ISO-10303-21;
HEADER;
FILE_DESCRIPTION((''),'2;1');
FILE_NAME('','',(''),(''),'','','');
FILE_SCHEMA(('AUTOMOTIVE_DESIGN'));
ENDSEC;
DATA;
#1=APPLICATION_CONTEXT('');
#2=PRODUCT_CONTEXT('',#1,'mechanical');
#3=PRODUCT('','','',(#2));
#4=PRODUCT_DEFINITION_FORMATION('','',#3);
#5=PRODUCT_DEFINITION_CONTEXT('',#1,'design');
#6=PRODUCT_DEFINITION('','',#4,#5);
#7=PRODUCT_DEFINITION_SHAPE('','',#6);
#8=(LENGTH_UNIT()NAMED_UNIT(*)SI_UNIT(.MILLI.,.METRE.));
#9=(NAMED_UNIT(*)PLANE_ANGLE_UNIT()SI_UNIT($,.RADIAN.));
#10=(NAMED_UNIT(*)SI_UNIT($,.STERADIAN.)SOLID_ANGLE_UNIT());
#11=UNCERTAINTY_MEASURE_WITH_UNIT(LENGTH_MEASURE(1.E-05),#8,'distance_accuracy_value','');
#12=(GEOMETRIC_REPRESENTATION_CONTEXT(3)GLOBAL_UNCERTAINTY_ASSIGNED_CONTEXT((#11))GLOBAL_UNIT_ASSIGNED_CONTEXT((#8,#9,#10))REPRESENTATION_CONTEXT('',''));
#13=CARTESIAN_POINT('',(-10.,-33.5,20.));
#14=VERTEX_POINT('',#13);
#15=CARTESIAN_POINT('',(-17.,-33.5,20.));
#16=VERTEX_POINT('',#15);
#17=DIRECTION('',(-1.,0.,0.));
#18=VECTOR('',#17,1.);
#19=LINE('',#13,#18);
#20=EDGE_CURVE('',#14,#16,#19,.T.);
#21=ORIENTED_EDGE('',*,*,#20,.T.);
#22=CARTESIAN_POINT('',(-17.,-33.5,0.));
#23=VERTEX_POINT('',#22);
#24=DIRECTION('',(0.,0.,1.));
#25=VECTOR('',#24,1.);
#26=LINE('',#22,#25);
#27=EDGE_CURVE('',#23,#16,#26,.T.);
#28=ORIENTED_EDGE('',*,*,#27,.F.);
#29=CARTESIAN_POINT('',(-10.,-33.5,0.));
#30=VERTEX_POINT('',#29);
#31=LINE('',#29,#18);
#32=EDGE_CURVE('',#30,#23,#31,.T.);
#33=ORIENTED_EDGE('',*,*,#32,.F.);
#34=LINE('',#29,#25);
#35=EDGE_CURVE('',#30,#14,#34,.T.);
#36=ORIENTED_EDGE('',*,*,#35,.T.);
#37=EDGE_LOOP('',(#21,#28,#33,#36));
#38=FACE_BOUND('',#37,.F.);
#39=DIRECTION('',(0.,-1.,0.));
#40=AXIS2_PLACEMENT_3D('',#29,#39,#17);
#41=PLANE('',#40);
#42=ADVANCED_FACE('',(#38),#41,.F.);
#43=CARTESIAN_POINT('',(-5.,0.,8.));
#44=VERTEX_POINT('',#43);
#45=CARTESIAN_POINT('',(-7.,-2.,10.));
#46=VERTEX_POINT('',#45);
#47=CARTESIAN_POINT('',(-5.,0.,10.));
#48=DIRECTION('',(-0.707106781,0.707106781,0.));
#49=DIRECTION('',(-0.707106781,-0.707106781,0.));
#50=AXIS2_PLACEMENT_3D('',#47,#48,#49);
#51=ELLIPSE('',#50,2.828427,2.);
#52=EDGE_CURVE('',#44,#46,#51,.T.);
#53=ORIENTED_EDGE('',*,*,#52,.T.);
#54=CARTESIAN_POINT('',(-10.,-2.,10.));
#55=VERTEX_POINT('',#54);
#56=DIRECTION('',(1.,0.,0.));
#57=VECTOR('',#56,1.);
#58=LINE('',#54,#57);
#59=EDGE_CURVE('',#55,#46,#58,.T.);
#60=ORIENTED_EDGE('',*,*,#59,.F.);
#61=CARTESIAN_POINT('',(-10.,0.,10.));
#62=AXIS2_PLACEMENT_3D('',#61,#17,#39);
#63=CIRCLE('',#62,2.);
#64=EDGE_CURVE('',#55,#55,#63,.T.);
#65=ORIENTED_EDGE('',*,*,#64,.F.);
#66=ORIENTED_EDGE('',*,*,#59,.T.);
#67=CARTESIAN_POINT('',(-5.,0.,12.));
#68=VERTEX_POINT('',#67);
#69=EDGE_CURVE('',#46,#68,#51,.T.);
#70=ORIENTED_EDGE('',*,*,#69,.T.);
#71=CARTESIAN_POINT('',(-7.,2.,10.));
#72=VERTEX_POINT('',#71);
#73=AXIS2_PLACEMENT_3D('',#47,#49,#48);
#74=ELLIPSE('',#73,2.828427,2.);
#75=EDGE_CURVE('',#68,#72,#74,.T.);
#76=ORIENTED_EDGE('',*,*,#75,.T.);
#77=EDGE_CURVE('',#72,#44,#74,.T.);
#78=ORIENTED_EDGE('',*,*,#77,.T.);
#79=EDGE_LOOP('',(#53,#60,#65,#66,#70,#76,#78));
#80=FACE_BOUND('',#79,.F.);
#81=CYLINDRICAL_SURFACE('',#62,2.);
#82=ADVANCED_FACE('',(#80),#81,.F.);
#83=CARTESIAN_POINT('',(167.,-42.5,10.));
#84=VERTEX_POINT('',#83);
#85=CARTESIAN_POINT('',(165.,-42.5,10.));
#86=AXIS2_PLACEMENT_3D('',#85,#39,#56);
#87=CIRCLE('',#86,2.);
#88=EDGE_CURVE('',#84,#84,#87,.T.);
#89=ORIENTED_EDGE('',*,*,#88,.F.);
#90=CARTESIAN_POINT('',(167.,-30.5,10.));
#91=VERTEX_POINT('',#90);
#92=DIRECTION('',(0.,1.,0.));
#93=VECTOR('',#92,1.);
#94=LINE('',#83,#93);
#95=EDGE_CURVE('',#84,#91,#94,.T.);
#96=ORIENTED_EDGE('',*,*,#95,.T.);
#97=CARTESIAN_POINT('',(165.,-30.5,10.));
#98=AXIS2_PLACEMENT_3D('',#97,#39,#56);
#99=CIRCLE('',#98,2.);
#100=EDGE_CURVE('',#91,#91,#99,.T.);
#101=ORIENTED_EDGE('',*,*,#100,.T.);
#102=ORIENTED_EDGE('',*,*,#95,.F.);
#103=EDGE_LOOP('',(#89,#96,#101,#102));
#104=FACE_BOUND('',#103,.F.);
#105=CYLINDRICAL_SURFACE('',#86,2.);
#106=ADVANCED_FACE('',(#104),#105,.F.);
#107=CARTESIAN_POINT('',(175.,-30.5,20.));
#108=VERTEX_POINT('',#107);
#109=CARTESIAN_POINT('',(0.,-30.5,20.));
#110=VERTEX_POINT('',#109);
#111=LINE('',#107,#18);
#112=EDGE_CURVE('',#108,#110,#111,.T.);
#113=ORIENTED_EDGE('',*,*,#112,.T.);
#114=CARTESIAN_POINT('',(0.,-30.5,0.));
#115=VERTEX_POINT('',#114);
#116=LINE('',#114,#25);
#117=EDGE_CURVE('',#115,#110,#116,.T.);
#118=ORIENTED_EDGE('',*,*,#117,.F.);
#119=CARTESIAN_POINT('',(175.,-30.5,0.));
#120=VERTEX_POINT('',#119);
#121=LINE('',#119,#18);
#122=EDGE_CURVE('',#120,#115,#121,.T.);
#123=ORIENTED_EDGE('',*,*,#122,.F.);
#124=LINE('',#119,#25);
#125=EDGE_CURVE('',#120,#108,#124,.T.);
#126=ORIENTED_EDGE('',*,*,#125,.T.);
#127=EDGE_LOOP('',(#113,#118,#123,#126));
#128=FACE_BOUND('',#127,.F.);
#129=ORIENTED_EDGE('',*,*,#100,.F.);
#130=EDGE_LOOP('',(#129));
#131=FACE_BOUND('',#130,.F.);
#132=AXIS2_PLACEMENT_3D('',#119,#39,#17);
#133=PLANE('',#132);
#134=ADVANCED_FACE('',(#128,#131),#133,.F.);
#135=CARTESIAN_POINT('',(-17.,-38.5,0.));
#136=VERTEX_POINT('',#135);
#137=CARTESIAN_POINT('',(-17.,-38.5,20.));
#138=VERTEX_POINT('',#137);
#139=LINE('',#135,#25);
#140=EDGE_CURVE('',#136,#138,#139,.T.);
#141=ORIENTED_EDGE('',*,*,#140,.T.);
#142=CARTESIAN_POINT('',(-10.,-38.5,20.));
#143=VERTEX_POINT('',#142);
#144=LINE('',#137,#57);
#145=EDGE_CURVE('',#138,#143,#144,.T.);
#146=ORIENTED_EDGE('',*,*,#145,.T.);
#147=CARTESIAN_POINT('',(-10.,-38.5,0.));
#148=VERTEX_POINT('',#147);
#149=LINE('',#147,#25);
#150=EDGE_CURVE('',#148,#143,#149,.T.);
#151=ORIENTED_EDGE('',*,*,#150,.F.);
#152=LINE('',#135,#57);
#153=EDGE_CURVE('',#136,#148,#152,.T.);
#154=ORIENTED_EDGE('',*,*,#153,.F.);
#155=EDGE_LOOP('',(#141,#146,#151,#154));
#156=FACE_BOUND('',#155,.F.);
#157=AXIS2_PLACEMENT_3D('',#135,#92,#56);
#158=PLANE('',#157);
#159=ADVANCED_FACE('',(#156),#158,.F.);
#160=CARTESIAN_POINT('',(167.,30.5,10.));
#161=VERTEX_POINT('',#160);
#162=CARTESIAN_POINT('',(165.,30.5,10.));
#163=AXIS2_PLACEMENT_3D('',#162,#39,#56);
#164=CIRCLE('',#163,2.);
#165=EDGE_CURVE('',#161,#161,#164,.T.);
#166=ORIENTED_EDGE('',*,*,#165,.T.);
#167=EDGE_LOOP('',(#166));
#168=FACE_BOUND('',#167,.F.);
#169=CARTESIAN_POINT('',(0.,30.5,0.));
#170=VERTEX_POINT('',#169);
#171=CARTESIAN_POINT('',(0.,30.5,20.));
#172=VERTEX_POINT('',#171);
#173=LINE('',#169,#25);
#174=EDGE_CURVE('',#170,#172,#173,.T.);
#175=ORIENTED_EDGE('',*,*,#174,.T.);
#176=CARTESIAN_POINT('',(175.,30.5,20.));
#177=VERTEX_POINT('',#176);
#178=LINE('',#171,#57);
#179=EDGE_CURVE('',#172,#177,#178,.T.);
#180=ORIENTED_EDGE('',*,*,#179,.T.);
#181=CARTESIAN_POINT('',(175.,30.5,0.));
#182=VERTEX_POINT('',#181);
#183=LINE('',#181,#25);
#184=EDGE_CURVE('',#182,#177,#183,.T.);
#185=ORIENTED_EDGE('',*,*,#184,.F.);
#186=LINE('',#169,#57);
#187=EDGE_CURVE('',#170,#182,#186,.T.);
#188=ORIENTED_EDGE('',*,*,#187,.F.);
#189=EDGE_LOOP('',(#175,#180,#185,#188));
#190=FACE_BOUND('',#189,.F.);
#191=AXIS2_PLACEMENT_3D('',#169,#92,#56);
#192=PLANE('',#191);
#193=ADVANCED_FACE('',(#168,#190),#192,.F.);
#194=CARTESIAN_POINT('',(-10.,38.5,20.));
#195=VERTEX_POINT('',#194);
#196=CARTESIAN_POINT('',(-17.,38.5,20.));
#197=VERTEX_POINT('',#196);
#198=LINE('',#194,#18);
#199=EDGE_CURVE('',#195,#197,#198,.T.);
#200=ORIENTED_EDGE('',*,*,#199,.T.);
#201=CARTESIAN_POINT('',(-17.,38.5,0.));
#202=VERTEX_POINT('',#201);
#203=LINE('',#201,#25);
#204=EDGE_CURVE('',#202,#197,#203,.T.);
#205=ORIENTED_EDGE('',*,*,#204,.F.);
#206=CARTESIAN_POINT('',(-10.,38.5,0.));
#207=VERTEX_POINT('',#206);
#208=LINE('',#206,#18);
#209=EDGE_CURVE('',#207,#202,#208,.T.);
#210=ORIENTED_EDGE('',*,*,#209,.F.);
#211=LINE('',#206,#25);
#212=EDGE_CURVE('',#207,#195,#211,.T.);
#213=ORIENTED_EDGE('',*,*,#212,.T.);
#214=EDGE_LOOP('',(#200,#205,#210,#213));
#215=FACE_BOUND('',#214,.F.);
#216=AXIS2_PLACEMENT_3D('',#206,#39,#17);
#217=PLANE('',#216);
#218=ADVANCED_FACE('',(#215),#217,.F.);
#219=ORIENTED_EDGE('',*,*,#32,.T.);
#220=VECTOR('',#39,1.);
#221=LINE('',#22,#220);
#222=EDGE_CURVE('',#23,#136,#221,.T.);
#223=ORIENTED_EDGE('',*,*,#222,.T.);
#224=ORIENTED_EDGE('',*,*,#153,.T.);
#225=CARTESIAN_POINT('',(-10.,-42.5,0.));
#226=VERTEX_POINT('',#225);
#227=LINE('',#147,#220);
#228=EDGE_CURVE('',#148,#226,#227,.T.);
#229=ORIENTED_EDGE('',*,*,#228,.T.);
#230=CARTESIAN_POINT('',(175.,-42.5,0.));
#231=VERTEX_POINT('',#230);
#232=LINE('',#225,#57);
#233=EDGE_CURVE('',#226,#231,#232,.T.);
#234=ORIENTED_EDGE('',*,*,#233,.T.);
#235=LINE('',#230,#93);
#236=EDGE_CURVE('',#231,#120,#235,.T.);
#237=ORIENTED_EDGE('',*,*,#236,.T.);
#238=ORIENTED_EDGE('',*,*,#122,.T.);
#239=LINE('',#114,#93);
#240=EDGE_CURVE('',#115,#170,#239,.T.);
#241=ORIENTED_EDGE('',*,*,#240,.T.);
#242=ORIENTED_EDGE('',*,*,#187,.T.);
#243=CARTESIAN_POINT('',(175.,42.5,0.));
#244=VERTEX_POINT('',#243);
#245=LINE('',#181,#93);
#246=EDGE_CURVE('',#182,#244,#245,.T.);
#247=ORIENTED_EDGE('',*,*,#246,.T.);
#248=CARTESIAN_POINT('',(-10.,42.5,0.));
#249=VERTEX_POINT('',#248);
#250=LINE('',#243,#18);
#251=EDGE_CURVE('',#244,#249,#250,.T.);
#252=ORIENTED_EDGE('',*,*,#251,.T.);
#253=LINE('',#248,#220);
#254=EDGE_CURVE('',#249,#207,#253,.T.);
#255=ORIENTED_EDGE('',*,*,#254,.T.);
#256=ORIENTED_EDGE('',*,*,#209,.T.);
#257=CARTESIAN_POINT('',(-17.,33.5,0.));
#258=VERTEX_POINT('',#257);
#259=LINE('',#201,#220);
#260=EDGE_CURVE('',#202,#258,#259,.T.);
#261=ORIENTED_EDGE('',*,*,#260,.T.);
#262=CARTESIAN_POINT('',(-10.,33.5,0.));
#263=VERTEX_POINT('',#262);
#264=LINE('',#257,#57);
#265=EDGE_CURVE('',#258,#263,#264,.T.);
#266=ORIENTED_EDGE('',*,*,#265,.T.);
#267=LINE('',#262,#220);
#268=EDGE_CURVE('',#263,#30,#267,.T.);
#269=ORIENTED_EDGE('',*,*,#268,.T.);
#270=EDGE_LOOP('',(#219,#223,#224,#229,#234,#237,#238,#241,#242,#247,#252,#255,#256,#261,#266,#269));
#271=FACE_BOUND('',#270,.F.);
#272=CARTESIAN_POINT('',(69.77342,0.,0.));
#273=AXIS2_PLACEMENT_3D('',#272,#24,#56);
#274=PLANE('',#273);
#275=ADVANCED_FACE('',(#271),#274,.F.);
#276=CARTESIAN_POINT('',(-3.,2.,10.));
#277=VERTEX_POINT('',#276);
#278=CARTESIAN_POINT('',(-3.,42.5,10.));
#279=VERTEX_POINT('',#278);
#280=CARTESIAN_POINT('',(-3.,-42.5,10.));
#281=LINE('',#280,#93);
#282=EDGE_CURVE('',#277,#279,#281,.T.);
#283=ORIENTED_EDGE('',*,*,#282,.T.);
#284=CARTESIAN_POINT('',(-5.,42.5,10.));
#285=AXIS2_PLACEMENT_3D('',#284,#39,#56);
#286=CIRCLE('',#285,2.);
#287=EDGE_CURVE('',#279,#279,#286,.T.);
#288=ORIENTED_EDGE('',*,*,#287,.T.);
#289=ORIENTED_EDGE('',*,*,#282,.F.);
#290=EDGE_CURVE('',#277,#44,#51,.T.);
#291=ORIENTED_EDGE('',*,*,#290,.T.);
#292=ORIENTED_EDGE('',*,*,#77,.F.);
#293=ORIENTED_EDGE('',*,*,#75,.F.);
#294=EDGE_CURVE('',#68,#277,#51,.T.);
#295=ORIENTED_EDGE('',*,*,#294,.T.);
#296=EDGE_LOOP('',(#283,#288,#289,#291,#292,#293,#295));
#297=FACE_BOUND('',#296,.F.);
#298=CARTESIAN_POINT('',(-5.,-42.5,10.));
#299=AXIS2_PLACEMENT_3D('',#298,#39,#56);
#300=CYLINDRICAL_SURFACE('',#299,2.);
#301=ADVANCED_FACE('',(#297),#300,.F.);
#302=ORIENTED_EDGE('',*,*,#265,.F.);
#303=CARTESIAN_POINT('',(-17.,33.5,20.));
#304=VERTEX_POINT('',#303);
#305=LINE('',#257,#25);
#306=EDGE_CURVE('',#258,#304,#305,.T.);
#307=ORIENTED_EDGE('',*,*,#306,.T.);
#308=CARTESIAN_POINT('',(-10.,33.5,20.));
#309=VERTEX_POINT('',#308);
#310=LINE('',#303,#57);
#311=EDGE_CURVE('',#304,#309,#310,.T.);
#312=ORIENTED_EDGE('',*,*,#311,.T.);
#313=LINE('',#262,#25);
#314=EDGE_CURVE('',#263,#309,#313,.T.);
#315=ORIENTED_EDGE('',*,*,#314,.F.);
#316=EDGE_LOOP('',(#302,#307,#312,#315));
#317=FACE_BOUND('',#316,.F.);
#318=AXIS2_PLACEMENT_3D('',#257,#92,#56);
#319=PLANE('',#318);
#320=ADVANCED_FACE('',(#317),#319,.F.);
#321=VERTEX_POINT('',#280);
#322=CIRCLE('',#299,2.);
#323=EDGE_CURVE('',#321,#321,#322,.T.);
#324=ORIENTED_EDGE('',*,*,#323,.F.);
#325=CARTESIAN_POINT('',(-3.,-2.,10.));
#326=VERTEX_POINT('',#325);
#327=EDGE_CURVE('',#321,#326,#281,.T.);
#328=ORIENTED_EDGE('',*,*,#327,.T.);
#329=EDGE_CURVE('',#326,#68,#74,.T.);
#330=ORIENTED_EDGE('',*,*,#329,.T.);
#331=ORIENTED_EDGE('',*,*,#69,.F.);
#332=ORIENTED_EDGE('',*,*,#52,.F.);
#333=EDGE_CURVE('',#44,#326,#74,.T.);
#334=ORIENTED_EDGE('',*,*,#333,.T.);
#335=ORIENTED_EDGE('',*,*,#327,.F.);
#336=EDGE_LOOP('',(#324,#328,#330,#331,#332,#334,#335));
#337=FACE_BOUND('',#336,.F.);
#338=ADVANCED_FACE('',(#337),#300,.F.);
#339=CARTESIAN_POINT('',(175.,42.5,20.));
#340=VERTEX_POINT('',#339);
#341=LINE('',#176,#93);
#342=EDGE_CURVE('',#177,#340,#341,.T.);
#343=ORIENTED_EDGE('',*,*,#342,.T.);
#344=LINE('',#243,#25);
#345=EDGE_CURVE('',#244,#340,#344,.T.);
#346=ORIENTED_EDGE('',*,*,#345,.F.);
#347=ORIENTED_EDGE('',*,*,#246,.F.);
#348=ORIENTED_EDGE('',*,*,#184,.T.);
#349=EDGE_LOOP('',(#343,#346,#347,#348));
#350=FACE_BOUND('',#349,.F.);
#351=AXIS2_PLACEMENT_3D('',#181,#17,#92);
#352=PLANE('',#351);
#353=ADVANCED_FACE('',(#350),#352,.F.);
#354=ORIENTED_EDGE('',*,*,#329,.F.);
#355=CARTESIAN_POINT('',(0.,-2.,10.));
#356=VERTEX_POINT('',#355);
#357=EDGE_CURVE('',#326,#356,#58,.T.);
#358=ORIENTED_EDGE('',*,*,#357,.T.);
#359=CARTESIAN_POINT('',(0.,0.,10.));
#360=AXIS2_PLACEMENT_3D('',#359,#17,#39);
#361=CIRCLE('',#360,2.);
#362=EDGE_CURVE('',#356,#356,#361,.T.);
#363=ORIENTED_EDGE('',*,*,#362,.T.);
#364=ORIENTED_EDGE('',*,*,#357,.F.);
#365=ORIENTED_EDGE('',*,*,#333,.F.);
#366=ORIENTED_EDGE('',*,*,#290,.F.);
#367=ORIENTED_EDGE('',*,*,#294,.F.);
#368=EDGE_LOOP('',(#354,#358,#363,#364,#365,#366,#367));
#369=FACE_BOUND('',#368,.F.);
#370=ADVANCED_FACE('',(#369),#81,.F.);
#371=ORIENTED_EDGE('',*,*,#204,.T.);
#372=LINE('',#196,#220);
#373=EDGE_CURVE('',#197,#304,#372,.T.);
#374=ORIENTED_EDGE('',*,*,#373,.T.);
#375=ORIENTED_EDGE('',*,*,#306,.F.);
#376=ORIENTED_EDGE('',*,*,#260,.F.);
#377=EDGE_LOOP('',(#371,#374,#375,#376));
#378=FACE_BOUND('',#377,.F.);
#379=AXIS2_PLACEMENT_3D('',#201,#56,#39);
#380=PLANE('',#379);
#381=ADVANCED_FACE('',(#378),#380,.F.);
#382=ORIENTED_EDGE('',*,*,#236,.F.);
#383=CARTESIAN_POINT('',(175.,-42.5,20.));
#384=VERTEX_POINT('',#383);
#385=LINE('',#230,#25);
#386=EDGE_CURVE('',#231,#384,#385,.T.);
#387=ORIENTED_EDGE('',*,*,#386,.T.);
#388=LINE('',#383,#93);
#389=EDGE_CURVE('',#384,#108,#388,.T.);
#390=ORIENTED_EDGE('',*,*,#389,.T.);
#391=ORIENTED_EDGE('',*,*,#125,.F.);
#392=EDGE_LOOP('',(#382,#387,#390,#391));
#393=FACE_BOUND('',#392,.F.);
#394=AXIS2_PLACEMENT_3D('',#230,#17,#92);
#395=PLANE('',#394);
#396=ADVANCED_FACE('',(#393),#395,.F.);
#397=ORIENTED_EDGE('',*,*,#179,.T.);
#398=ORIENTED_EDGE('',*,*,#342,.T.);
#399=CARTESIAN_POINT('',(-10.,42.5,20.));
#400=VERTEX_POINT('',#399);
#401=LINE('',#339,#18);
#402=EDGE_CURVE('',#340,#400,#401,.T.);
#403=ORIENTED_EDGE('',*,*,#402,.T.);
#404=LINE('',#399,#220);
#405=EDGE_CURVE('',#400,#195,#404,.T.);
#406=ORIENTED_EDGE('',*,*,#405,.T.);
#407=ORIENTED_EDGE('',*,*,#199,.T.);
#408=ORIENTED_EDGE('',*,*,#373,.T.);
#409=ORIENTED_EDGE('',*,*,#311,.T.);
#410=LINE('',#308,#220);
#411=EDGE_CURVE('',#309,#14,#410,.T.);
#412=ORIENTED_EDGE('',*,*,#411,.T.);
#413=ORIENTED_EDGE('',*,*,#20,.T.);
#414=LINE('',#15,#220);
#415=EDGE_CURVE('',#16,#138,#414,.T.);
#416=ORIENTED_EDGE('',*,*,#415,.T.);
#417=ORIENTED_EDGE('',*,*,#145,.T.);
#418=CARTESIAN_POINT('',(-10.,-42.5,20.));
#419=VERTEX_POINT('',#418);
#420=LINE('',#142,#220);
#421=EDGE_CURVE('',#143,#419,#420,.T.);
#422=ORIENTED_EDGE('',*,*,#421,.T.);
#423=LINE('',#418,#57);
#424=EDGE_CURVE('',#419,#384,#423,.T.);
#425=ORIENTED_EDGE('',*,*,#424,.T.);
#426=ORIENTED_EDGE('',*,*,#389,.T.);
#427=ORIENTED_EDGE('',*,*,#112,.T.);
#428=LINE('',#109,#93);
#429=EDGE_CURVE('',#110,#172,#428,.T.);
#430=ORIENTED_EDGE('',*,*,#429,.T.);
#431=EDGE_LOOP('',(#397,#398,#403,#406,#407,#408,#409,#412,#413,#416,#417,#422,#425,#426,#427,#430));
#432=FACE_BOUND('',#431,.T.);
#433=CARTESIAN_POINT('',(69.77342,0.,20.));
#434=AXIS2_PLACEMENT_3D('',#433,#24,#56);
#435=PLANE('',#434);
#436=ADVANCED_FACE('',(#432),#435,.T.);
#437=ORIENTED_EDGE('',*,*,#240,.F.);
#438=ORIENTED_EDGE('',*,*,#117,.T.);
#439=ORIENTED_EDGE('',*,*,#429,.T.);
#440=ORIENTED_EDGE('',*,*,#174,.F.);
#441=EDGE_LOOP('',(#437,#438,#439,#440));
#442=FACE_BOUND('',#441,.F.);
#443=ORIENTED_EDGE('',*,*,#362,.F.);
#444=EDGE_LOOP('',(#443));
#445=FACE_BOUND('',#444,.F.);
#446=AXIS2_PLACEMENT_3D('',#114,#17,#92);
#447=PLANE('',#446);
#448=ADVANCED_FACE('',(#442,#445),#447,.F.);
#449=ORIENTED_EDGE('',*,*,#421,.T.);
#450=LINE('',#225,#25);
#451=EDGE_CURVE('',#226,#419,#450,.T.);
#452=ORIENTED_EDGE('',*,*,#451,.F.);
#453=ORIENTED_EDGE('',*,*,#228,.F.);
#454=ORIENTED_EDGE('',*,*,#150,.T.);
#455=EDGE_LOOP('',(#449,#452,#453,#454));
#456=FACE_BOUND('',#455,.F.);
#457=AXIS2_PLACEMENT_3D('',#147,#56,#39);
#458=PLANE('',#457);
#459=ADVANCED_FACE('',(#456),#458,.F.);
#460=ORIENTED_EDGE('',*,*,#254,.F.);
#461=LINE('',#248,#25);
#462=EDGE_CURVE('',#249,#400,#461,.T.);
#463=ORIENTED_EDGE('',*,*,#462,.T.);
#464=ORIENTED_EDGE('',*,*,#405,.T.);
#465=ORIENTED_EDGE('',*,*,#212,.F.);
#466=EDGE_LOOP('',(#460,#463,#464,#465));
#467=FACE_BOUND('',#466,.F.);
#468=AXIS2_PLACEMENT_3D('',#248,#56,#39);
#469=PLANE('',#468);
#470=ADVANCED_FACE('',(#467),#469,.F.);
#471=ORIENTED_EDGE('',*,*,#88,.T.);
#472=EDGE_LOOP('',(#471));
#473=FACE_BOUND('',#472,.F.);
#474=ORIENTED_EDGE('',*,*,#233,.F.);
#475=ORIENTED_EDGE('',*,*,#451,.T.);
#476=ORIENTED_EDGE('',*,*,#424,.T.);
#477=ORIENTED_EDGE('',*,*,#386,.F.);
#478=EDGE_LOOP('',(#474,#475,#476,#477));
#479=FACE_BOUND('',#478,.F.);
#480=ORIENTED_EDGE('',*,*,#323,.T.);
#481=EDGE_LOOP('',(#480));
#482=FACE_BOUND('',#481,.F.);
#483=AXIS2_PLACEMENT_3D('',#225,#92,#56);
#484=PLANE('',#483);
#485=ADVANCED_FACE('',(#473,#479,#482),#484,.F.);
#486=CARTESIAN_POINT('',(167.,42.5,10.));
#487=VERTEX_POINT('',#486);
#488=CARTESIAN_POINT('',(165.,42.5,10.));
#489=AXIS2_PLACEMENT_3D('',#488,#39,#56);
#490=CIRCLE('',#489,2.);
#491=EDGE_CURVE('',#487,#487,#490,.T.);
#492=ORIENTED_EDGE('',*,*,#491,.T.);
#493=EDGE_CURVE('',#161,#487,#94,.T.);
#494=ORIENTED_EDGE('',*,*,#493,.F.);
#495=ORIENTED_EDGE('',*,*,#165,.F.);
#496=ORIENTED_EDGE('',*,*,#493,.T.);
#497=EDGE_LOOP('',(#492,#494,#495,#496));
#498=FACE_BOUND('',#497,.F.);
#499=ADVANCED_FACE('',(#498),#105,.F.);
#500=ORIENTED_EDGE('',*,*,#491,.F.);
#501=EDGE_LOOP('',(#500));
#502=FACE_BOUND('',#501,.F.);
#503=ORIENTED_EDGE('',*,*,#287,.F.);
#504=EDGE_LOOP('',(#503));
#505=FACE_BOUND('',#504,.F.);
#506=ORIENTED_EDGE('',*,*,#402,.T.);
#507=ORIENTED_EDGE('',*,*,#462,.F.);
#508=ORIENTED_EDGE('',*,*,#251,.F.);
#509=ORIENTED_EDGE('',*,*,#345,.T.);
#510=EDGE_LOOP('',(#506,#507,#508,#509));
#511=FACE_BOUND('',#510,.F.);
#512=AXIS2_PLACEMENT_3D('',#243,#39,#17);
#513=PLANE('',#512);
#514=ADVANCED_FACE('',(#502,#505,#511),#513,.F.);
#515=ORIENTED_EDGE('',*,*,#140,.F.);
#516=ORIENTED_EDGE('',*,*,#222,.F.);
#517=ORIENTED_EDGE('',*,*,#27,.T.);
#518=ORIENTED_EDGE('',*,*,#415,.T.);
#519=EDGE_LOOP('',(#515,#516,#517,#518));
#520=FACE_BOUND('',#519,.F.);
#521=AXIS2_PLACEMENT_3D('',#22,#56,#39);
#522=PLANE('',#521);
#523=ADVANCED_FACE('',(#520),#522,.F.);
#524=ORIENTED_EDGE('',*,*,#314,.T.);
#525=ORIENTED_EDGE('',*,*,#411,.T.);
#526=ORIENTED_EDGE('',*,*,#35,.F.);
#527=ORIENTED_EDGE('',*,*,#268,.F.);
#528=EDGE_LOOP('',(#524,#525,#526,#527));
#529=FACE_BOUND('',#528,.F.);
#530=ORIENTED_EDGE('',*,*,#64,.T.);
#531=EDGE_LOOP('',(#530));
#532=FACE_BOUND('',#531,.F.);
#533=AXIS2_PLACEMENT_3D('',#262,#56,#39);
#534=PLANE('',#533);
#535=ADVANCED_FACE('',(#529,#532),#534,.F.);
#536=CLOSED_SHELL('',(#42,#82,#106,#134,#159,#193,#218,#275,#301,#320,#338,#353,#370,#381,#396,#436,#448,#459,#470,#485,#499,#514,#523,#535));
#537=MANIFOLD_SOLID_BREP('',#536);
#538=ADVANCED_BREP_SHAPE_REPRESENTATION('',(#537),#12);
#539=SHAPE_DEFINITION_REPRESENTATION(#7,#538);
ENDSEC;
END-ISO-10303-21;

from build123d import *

# Parameters (mm, degrees)
PAD_DEPTH       = 20
SKETCH004_R     = 2
POCKET002_DEPTH = 185.001
SKETCH005_R     = 2
POCKET003_DEPTH = 85.001


with BuildPart() as part:
    # Sketch → Pad (new body)
    with BuildSketch(Plane.XY):
        Polygon((-10, -42.5), (175, -42.5), (175, -30.5), (0, -30.5), (0, 30.5), (175, 30.5), (175, 42.5), (-10, 42.5), (-10, 38.5), (-17, 38.5), (-17, 33.5), (-10, 33.5), (-10, -33.5), (-17, -33.5), (-17, -38.5), (-10, -38.5), align=None)
    extrude(amount=PAD_DEPTH)

    # Sketch004 → Pocket002 (cut, through all)
    with BuildSketch(Plane(origin=(-10, 0, 0), x_dir=(0, -1, 0), z_dir=(-1, 0, 0))):
        with Locations((0, 10)):
            Circle(SKETCH004_R)
    extrude(amount=-POCKET002_DEPTH, mode=Mode.SUBTRACT)

    # Sketch005 → Pocket003 (cut, through all)
    with BuildSketch(Plane.XZ.offset(42.5)):
        with Locations((-5, 10)):
            Circle(SKETCH005_R)
        with Locations((165, 10)):
            Circle(SKETCH005_R)
    extrude(amount=-POCKET003_DEPTH, mode=Mode.SUBTRACT)


solid = part.part
